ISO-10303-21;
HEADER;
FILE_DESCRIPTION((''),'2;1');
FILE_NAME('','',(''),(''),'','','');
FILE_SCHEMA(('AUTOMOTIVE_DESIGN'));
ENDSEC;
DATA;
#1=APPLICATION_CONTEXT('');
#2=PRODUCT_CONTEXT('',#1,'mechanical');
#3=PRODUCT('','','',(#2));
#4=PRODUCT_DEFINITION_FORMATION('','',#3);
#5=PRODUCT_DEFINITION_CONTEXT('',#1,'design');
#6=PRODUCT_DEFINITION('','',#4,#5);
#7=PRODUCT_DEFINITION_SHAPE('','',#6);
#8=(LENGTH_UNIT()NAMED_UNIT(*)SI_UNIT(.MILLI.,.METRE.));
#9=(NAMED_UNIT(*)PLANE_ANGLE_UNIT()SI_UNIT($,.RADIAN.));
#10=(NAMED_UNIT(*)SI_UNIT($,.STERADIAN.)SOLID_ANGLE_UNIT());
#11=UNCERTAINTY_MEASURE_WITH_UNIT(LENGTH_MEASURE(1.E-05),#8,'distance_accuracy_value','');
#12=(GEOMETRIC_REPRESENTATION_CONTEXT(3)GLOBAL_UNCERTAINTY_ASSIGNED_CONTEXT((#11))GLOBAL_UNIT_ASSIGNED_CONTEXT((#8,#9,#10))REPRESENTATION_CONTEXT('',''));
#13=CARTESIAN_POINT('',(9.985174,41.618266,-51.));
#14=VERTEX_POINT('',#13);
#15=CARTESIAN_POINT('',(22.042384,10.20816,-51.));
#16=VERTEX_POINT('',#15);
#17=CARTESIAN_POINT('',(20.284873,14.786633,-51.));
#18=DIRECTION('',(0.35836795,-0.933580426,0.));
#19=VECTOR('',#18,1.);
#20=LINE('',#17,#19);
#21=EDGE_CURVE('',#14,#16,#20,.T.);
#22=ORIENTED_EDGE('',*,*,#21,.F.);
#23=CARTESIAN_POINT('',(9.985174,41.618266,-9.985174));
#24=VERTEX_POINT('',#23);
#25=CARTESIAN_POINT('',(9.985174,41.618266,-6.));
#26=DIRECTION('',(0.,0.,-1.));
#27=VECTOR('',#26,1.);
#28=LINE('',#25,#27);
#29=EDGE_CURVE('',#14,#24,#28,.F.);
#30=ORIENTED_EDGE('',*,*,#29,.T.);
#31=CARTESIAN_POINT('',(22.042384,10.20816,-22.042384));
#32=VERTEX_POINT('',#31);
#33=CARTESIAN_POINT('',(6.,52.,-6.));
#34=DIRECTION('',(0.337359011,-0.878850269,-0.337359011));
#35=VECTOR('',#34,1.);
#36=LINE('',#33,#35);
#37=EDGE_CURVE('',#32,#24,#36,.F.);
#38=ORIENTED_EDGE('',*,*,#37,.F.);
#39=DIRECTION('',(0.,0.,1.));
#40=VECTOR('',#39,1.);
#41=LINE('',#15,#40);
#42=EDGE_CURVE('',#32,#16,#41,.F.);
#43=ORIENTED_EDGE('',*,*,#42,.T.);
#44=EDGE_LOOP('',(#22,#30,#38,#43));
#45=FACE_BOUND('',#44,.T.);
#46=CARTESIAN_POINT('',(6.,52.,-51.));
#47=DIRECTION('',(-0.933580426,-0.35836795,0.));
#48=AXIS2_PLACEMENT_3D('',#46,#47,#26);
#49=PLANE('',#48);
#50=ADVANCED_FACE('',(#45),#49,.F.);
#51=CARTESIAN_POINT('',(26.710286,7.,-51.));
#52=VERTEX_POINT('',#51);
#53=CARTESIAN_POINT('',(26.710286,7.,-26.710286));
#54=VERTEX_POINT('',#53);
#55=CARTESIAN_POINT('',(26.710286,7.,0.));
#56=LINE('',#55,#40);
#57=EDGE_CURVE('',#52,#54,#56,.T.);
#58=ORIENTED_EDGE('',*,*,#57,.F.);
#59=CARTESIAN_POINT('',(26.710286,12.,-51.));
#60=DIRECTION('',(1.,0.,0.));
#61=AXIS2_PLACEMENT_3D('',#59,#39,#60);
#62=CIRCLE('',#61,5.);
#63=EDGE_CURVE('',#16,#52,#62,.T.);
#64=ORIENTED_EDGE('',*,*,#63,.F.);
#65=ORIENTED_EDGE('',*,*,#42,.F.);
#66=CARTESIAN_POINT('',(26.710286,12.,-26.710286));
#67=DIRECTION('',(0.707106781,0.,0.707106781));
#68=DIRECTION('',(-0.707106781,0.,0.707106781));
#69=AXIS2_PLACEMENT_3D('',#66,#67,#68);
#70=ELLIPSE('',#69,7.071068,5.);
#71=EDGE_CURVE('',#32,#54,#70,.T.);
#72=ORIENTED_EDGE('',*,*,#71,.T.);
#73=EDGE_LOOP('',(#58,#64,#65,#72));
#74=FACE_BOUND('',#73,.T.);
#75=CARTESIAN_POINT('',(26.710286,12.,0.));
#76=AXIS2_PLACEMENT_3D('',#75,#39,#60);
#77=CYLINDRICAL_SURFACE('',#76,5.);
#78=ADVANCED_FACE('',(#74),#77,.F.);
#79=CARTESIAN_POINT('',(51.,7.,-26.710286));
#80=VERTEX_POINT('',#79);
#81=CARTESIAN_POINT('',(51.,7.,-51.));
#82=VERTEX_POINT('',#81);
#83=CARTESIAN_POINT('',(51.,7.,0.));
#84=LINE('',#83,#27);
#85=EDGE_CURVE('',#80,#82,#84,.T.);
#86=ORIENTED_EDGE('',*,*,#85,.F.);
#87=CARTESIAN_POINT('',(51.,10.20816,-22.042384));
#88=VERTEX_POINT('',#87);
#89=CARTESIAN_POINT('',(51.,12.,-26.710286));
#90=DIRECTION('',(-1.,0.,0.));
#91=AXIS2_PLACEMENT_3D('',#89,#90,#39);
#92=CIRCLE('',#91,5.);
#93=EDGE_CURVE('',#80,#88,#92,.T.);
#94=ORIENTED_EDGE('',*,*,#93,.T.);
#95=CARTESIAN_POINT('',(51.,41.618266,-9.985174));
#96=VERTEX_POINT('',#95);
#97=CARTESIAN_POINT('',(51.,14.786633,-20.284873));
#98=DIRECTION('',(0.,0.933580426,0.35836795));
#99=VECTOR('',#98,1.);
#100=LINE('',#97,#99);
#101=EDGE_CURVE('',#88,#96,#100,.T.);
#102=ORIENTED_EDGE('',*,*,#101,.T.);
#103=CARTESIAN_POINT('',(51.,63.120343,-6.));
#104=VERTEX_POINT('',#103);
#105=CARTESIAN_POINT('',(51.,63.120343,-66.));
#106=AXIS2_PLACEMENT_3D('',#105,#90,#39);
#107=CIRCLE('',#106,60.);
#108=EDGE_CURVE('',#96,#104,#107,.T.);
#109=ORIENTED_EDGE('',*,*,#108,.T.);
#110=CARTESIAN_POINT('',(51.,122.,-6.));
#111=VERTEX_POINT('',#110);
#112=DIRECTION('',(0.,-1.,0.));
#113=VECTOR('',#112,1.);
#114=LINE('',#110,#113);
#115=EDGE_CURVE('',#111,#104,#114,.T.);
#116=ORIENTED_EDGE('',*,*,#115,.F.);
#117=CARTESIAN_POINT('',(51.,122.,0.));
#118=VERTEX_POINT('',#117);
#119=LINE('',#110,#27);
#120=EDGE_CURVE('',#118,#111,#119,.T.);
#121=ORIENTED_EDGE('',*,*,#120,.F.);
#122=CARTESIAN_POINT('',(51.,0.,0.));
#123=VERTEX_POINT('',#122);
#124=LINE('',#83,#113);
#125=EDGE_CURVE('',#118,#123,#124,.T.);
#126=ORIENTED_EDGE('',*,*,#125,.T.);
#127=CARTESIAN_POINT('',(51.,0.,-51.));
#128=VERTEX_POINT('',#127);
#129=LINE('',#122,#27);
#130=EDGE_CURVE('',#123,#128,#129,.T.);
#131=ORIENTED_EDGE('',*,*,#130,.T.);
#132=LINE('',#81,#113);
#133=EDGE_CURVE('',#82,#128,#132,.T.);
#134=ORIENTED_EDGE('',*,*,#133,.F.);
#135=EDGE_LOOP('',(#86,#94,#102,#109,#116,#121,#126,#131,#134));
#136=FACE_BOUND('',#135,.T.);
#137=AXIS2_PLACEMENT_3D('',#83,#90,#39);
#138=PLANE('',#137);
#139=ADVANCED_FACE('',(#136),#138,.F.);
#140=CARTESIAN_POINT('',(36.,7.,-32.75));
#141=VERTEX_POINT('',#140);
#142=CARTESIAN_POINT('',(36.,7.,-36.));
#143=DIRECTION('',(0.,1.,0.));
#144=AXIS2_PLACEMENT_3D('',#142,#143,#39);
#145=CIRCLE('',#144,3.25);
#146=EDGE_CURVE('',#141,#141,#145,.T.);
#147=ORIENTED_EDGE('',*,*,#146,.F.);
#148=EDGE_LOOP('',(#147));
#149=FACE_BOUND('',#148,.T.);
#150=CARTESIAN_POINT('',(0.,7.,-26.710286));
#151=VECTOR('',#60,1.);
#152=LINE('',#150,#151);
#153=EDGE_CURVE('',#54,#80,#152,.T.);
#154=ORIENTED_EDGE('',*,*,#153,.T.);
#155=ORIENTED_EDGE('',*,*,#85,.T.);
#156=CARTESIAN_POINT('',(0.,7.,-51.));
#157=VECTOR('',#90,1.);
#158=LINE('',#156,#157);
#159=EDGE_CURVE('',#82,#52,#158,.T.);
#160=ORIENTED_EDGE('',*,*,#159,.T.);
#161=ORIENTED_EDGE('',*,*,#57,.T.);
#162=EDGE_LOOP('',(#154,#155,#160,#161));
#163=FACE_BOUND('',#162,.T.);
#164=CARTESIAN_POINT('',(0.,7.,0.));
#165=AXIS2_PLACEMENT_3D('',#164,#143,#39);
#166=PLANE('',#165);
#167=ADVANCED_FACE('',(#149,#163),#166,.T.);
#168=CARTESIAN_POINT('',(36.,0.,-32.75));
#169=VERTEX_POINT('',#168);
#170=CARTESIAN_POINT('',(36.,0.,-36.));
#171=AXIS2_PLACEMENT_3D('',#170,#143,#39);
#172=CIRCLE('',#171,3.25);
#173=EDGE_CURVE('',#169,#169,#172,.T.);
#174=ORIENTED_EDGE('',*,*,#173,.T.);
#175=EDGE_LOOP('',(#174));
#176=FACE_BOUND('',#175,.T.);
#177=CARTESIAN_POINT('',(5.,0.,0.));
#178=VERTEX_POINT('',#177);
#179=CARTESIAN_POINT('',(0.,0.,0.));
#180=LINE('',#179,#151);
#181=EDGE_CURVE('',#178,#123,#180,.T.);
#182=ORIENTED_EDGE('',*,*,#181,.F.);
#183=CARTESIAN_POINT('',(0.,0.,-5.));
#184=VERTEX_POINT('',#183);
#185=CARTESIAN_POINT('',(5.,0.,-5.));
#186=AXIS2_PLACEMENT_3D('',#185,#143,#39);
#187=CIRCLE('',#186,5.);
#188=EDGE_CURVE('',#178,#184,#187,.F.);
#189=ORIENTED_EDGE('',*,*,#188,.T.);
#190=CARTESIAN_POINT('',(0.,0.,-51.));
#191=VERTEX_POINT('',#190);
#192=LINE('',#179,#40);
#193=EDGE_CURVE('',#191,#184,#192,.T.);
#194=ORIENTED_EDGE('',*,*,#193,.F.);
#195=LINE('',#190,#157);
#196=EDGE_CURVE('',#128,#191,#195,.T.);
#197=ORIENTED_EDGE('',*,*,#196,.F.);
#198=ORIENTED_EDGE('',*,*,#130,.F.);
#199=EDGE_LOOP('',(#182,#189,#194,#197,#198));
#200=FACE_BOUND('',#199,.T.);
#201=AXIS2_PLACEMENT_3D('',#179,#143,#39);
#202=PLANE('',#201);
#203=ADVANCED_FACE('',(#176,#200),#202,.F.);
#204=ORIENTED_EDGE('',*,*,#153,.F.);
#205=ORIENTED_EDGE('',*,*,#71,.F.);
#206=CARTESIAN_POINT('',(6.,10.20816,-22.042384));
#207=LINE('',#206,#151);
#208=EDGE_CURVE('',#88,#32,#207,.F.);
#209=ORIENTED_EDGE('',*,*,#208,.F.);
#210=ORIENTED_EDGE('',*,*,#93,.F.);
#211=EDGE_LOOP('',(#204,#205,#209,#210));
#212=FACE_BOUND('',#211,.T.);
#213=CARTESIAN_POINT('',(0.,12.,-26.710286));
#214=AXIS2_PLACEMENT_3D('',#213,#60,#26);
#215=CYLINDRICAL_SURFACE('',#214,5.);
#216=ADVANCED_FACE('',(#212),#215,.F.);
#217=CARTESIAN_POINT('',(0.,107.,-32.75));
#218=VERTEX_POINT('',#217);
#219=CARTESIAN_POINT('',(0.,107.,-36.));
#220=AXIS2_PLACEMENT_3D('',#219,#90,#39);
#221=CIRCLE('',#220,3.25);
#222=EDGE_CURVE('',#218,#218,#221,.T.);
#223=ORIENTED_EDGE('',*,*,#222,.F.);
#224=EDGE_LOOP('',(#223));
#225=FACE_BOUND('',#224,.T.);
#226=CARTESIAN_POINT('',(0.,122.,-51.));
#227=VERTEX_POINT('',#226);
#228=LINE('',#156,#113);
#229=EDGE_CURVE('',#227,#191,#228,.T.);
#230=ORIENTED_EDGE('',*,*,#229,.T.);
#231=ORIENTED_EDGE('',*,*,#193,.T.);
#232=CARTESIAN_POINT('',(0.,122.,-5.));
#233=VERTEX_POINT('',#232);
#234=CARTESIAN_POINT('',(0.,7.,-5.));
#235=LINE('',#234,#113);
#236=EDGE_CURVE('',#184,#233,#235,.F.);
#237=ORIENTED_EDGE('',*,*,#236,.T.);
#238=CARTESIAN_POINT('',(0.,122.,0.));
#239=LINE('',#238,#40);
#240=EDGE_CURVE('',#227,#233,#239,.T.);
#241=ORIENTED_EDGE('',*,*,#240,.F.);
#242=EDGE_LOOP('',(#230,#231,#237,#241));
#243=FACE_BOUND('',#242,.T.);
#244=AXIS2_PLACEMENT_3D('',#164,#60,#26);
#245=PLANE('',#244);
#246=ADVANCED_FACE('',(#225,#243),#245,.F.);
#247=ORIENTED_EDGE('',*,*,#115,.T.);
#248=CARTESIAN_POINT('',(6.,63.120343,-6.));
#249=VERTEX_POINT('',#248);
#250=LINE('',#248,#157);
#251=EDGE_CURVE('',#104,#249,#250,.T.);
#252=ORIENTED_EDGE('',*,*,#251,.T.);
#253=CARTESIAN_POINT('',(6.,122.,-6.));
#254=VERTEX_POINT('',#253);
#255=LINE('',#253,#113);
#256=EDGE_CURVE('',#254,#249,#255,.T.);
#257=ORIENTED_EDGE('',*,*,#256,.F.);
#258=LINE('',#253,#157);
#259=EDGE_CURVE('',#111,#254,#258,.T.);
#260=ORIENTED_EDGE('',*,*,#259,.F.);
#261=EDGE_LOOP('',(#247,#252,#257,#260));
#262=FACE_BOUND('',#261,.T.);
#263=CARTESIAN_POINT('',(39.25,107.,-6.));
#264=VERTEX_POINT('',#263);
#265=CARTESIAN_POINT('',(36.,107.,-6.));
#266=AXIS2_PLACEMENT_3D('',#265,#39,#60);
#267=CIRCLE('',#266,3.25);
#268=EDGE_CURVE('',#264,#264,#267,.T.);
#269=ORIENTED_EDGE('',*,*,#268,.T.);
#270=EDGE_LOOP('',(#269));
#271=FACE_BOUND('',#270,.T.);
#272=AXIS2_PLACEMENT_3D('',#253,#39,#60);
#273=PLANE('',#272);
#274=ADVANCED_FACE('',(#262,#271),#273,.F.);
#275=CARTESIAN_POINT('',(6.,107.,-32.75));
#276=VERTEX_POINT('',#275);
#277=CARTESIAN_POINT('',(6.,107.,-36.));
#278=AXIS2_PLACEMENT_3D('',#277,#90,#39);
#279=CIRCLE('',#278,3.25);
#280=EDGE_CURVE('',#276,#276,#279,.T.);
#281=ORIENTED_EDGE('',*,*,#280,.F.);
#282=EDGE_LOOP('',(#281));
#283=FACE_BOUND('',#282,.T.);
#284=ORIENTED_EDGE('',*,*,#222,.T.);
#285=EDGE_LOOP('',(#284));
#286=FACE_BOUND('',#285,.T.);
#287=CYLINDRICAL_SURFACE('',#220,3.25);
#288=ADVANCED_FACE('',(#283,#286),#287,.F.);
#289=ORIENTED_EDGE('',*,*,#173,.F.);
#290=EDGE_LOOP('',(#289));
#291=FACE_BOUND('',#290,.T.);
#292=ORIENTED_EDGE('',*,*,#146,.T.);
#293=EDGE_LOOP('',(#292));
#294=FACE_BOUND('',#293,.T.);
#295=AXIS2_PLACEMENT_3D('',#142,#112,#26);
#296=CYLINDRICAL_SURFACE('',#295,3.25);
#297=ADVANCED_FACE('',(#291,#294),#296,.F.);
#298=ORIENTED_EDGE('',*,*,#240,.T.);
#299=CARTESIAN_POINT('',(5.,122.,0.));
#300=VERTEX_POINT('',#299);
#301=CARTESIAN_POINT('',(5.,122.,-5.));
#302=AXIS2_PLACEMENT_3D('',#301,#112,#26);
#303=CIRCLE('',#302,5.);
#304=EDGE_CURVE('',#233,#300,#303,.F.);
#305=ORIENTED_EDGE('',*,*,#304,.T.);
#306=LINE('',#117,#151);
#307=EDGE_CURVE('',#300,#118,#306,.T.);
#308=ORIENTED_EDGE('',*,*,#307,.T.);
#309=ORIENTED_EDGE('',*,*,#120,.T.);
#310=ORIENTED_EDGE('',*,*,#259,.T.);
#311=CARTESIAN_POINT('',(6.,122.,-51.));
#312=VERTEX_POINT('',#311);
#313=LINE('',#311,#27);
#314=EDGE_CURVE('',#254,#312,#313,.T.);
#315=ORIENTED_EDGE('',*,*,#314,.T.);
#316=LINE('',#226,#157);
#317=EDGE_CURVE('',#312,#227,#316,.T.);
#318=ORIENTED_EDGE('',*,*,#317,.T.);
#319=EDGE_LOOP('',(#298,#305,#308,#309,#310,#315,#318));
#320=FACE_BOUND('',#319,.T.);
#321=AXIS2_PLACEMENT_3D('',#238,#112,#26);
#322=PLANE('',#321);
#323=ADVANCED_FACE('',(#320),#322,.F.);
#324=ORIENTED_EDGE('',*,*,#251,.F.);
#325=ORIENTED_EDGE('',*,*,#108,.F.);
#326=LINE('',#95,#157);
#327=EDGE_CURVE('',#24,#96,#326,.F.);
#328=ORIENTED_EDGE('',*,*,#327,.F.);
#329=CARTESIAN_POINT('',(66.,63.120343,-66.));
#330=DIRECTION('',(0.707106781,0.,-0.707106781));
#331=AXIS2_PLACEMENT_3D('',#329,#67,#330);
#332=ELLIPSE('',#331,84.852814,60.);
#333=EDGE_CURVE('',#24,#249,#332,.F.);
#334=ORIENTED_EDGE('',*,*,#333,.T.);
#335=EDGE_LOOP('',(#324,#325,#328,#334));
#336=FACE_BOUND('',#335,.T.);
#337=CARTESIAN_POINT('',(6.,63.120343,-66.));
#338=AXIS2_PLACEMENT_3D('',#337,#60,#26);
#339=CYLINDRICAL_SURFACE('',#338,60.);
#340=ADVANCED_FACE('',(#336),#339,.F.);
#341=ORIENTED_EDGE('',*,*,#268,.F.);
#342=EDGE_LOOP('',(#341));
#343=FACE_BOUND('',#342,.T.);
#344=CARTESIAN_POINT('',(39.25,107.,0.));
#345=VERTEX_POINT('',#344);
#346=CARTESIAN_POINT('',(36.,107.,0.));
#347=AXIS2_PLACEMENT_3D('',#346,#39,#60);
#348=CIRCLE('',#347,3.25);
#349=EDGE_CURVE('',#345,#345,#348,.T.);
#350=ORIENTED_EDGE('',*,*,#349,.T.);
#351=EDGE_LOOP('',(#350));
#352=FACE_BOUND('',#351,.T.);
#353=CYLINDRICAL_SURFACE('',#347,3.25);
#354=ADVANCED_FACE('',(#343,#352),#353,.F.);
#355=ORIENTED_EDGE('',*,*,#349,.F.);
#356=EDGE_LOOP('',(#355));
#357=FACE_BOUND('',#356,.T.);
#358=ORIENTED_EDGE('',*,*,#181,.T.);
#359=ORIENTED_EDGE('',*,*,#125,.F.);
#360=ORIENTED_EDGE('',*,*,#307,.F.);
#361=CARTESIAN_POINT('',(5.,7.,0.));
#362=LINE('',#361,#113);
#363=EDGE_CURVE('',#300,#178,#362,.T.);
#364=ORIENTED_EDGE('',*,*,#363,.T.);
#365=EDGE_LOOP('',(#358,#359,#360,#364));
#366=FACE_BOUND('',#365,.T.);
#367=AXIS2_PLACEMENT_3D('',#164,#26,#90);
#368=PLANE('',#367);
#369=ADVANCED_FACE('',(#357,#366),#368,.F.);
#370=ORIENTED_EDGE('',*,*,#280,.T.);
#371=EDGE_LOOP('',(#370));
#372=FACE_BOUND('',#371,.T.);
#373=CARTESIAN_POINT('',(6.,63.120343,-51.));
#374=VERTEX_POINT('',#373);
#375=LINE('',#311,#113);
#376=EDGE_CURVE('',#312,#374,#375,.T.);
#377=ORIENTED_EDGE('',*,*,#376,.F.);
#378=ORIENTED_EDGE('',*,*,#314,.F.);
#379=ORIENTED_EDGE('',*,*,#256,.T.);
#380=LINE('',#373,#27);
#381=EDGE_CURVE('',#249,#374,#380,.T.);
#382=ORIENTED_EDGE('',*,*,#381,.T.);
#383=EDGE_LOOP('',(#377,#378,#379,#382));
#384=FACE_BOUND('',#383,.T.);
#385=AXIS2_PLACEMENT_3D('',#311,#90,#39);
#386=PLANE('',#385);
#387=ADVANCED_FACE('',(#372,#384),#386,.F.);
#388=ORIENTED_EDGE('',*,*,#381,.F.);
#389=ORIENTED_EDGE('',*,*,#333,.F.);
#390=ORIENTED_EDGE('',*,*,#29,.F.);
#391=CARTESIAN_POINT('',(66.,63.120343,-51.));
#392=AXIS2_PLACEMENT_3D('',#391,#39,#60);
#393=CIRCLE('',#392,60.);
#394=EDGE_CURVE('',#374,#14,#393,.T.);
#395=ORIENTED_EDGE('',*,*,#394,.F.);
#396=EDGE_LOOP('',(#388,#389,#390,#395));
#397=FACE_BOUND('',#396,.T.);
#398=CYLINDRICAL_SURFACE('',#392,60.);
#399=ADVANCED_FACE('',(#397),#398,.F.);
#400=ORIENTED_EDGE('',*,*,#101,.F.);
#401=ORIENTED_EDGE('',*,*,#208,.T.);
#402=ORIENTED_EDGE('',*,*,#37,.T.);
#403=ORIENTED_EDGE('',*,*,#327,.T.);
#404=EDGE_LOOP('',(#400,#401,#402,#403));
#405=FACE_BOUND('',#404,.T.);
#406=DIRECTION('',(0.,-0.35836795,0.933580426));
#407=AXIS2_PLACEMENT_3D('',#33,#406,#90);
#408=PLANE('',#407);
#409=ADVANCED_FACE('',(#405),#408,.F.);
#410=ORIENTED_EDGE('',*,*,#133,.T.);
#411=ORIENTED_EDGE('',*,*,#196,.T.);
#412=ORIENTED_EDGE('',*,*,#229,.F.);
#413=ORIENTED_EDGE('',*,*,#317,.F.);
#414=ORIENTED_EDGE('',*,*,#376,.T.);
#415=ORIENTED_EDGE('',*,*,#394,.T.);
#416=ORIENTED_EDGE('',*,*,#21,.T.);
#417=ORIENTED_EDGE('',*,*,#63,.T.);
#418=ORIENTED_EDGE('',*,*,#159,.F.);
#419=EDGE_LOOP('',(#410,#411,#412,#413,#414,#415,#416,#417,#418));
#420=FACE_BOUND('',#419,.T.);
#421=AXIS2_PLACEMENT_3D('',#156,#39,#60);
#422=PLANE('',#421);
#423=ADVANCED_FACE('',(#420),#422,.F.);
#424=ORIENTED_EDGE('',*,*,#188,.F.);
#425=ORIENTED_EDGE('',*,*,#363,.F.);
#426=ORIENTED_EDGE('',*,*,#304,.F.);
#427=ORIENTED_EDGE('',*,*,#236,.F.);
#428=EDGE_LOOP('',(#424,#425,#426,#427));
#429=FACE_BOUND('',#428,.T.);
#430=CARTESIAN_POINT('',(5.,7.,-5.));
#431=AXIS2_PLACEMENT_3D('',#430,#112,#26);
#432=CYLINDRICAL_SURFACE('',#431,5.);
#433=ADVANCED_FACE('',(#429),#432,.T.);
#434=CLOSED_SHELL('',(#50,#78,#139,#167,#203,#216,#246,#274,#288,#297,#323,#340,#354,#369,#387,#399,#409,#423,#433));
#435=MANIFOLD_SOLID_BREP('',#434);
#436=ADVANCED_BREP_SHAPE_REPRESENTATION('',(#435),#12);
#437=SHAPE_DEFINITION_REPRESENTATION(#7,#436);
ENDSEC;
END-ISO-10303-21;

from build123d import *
from OCP.BRepFilletAPI import BRepFilletAPI_MakeChamfer

# Parameters (mm, degrees)
SKETCH2_W                      = 51
SKETCH2_H                      = 51
SKETCH2_R                      = 3.25
BOSS_EXTRUDE2_DEPTH            = 7
BOSS_EXTRUDE3_DEPTH            = 115
F_6_5_6_5_DIAMETER_HOLE1_D     = 6.5
F_6_5_6_5_DIAMETER_HOLE1_DEPTH = 6
F_6_5_6_5_DIAMETER_HOLE1_TIP   = 1.952797012
F_6_5_6_5_DIAMETER_HOLE2_D     = 6.5
F_6_5_6_5_DIAMETER_HOLE2_DEPTH = 6
F_6_5_6_5_DIAMETER_HOLE2_TIP   = 1.952797012
CHAMFER1_SIZE                  = 45
CHAMFER1_SIZE2                 = 17.273881577
FILLET1_R                      = 5
FILLET2_R                      = 60
FILLET3_R                      = 5


with BuildPart() as part:
    # Sketch2 → Boss-Extrude2 (new body)
    with BuildSketch(Plane(origin=(0, 0, 0), x_dir=(1, 0, 0), z_dir=(0, 1, 0))):
        with Locations((25.5, 25.5)):
            Rectangle(SKETCH2_W, SKETCH2_H)
        with Locations(Location((36, 36, 0), (0, 0, 270))):
            Circle(SKETCH2_R, mode=Mode.SUBTRACT)
    extrude(amount=BOSS_EXTRUDE2_DEPTH)

    # Sketch3 → Boss-Extrude3 (add)
    with BuildSketch(Plane(origin=(0, 7, 0), x_dir=(1, 0, 0), z_dir=(0, 1, 0))):
        Polygon((51, 0), (0, 0), (0, 51), (6, 51), (6, 6), (51, 6), align=None)
    extrude(amount=BOSS_EXTRUDE3_DEPTH)

    # Ø6.5 (6.5) Diameter Hole1
    with Locations(Plane.XY):
        with Locations((36, 107)):
            Hole(F_6_5_6_5_DIAMETER_HOLE1_D / 2, depth=F_6_5_6_5_DIAMETER_HOLE1_DEPTH)
            with Locations((0, 0, -(F_6_5_6_5_DIAMETER_HOLE1_DEPTH + F_6_5_6_5_DIAMETER_HOLE1_TIP / 2))):  # 118° drill point
                Cone(0, F_6_5_6_5_DIAMETER_HOLE1_D / 2, F_6_5_6_5_DIAMETER_HOLE1_TIP, mode=Mode.SUBTRACT)

    # Ø6.5 (6.5) Diameter Hole2
    with Locations(Plane.ZY):
        with Locations((-36, 107)):
            Hole(F_6_5_6_5_DIAMETER_HOLE2_D / 2, depth=F_6_5_6_5_DIAMETER_HOLE2_DEPTH)
            with Locations((0, 0, -(F_6_5_6_5_DIAMETER_HOLE2_DEPTH + F_6_5_6_5_DIAMETER_HOLE2_TIP / 2))):  # 118° drill point
                Cone(0, F_6_5_6_5_DIAMETER_HOLE2_D / 2, F_6_5_6_5_DIAMETER_HOLE2_TIP, mode=Mode.SUBTRACT)

    # Chamfer1: one chamfer whose edges measure the first distance from different faces: ONE call of the kernel's chamfer builder (chamfer() names one face for all edges)
    chamfer1_edges_1 = [part.edges().sort_by_distance(p)[0] for p in [
        (28.5, 7, -6),
    ]]
    chamfer1_side_1 = [part.faces().sort_by_distance(p)[0] for p in [
        (28.451598229, 64.2257233, -6),
    ]]
    chamfer1_edges_2 = [part.edges().sort_by_distance(p)[0] for p in [
        (6, 7, -28.5),
    ]]
    chamfer1_side_2 = [part.faces().sort_by_distance(p)[0] for p in [
        (6, 64.2257233, -28.451598229),
    ]]
    chamfer1 = BRepFilletAPI_MakeChamfer(part.part.solid().wrapped)
    for e in chamfer1_edges_1:
        chamfer1.Add(CHAMFER1_SIZE, CHAMFER1_SIZE2, e.wrapped, chamfer1_side_1[0].wrapped)  # the first distance lies on this face
    for e in chamfer1_edges_2:
        chamfer1.Add(CHAMFER1_SIZE, CHAMFER1_SIZE2, e.wrapped, chamfer1_side_2[0].wrapped)  # the first distance lies on this face
    add(Compound.cast(chamfer1.Shape()), mode=Mode.REPLACE)

    # Fillet1
    fillet1_edges = [part.edges().sort_by_distance(p)[0] for p in [
        (0, 61, 0),
    ]]
    fillet(fillet1_edges, radius=FILLET1_R)

    # Fillet2
    fillet2_edges = [part.edges().sort_by_distance(p)[0] for p in [
        (28.5, 52, -6),
        (6, 52, -28.5),
    ]]
    fillet(fillet2_edges, radius=FILLET2_R)

    # Fillet3
    fillet3_edges = [part.edges().sort_by_distance(p)[0] for p in [
        (23.273881577, 7, -37.136940788),
        (37.136940788, 7, -23.273881577),
    ]]
    fillet(fillet3_edges, radius=FILLET3_R)


solid = part.part
